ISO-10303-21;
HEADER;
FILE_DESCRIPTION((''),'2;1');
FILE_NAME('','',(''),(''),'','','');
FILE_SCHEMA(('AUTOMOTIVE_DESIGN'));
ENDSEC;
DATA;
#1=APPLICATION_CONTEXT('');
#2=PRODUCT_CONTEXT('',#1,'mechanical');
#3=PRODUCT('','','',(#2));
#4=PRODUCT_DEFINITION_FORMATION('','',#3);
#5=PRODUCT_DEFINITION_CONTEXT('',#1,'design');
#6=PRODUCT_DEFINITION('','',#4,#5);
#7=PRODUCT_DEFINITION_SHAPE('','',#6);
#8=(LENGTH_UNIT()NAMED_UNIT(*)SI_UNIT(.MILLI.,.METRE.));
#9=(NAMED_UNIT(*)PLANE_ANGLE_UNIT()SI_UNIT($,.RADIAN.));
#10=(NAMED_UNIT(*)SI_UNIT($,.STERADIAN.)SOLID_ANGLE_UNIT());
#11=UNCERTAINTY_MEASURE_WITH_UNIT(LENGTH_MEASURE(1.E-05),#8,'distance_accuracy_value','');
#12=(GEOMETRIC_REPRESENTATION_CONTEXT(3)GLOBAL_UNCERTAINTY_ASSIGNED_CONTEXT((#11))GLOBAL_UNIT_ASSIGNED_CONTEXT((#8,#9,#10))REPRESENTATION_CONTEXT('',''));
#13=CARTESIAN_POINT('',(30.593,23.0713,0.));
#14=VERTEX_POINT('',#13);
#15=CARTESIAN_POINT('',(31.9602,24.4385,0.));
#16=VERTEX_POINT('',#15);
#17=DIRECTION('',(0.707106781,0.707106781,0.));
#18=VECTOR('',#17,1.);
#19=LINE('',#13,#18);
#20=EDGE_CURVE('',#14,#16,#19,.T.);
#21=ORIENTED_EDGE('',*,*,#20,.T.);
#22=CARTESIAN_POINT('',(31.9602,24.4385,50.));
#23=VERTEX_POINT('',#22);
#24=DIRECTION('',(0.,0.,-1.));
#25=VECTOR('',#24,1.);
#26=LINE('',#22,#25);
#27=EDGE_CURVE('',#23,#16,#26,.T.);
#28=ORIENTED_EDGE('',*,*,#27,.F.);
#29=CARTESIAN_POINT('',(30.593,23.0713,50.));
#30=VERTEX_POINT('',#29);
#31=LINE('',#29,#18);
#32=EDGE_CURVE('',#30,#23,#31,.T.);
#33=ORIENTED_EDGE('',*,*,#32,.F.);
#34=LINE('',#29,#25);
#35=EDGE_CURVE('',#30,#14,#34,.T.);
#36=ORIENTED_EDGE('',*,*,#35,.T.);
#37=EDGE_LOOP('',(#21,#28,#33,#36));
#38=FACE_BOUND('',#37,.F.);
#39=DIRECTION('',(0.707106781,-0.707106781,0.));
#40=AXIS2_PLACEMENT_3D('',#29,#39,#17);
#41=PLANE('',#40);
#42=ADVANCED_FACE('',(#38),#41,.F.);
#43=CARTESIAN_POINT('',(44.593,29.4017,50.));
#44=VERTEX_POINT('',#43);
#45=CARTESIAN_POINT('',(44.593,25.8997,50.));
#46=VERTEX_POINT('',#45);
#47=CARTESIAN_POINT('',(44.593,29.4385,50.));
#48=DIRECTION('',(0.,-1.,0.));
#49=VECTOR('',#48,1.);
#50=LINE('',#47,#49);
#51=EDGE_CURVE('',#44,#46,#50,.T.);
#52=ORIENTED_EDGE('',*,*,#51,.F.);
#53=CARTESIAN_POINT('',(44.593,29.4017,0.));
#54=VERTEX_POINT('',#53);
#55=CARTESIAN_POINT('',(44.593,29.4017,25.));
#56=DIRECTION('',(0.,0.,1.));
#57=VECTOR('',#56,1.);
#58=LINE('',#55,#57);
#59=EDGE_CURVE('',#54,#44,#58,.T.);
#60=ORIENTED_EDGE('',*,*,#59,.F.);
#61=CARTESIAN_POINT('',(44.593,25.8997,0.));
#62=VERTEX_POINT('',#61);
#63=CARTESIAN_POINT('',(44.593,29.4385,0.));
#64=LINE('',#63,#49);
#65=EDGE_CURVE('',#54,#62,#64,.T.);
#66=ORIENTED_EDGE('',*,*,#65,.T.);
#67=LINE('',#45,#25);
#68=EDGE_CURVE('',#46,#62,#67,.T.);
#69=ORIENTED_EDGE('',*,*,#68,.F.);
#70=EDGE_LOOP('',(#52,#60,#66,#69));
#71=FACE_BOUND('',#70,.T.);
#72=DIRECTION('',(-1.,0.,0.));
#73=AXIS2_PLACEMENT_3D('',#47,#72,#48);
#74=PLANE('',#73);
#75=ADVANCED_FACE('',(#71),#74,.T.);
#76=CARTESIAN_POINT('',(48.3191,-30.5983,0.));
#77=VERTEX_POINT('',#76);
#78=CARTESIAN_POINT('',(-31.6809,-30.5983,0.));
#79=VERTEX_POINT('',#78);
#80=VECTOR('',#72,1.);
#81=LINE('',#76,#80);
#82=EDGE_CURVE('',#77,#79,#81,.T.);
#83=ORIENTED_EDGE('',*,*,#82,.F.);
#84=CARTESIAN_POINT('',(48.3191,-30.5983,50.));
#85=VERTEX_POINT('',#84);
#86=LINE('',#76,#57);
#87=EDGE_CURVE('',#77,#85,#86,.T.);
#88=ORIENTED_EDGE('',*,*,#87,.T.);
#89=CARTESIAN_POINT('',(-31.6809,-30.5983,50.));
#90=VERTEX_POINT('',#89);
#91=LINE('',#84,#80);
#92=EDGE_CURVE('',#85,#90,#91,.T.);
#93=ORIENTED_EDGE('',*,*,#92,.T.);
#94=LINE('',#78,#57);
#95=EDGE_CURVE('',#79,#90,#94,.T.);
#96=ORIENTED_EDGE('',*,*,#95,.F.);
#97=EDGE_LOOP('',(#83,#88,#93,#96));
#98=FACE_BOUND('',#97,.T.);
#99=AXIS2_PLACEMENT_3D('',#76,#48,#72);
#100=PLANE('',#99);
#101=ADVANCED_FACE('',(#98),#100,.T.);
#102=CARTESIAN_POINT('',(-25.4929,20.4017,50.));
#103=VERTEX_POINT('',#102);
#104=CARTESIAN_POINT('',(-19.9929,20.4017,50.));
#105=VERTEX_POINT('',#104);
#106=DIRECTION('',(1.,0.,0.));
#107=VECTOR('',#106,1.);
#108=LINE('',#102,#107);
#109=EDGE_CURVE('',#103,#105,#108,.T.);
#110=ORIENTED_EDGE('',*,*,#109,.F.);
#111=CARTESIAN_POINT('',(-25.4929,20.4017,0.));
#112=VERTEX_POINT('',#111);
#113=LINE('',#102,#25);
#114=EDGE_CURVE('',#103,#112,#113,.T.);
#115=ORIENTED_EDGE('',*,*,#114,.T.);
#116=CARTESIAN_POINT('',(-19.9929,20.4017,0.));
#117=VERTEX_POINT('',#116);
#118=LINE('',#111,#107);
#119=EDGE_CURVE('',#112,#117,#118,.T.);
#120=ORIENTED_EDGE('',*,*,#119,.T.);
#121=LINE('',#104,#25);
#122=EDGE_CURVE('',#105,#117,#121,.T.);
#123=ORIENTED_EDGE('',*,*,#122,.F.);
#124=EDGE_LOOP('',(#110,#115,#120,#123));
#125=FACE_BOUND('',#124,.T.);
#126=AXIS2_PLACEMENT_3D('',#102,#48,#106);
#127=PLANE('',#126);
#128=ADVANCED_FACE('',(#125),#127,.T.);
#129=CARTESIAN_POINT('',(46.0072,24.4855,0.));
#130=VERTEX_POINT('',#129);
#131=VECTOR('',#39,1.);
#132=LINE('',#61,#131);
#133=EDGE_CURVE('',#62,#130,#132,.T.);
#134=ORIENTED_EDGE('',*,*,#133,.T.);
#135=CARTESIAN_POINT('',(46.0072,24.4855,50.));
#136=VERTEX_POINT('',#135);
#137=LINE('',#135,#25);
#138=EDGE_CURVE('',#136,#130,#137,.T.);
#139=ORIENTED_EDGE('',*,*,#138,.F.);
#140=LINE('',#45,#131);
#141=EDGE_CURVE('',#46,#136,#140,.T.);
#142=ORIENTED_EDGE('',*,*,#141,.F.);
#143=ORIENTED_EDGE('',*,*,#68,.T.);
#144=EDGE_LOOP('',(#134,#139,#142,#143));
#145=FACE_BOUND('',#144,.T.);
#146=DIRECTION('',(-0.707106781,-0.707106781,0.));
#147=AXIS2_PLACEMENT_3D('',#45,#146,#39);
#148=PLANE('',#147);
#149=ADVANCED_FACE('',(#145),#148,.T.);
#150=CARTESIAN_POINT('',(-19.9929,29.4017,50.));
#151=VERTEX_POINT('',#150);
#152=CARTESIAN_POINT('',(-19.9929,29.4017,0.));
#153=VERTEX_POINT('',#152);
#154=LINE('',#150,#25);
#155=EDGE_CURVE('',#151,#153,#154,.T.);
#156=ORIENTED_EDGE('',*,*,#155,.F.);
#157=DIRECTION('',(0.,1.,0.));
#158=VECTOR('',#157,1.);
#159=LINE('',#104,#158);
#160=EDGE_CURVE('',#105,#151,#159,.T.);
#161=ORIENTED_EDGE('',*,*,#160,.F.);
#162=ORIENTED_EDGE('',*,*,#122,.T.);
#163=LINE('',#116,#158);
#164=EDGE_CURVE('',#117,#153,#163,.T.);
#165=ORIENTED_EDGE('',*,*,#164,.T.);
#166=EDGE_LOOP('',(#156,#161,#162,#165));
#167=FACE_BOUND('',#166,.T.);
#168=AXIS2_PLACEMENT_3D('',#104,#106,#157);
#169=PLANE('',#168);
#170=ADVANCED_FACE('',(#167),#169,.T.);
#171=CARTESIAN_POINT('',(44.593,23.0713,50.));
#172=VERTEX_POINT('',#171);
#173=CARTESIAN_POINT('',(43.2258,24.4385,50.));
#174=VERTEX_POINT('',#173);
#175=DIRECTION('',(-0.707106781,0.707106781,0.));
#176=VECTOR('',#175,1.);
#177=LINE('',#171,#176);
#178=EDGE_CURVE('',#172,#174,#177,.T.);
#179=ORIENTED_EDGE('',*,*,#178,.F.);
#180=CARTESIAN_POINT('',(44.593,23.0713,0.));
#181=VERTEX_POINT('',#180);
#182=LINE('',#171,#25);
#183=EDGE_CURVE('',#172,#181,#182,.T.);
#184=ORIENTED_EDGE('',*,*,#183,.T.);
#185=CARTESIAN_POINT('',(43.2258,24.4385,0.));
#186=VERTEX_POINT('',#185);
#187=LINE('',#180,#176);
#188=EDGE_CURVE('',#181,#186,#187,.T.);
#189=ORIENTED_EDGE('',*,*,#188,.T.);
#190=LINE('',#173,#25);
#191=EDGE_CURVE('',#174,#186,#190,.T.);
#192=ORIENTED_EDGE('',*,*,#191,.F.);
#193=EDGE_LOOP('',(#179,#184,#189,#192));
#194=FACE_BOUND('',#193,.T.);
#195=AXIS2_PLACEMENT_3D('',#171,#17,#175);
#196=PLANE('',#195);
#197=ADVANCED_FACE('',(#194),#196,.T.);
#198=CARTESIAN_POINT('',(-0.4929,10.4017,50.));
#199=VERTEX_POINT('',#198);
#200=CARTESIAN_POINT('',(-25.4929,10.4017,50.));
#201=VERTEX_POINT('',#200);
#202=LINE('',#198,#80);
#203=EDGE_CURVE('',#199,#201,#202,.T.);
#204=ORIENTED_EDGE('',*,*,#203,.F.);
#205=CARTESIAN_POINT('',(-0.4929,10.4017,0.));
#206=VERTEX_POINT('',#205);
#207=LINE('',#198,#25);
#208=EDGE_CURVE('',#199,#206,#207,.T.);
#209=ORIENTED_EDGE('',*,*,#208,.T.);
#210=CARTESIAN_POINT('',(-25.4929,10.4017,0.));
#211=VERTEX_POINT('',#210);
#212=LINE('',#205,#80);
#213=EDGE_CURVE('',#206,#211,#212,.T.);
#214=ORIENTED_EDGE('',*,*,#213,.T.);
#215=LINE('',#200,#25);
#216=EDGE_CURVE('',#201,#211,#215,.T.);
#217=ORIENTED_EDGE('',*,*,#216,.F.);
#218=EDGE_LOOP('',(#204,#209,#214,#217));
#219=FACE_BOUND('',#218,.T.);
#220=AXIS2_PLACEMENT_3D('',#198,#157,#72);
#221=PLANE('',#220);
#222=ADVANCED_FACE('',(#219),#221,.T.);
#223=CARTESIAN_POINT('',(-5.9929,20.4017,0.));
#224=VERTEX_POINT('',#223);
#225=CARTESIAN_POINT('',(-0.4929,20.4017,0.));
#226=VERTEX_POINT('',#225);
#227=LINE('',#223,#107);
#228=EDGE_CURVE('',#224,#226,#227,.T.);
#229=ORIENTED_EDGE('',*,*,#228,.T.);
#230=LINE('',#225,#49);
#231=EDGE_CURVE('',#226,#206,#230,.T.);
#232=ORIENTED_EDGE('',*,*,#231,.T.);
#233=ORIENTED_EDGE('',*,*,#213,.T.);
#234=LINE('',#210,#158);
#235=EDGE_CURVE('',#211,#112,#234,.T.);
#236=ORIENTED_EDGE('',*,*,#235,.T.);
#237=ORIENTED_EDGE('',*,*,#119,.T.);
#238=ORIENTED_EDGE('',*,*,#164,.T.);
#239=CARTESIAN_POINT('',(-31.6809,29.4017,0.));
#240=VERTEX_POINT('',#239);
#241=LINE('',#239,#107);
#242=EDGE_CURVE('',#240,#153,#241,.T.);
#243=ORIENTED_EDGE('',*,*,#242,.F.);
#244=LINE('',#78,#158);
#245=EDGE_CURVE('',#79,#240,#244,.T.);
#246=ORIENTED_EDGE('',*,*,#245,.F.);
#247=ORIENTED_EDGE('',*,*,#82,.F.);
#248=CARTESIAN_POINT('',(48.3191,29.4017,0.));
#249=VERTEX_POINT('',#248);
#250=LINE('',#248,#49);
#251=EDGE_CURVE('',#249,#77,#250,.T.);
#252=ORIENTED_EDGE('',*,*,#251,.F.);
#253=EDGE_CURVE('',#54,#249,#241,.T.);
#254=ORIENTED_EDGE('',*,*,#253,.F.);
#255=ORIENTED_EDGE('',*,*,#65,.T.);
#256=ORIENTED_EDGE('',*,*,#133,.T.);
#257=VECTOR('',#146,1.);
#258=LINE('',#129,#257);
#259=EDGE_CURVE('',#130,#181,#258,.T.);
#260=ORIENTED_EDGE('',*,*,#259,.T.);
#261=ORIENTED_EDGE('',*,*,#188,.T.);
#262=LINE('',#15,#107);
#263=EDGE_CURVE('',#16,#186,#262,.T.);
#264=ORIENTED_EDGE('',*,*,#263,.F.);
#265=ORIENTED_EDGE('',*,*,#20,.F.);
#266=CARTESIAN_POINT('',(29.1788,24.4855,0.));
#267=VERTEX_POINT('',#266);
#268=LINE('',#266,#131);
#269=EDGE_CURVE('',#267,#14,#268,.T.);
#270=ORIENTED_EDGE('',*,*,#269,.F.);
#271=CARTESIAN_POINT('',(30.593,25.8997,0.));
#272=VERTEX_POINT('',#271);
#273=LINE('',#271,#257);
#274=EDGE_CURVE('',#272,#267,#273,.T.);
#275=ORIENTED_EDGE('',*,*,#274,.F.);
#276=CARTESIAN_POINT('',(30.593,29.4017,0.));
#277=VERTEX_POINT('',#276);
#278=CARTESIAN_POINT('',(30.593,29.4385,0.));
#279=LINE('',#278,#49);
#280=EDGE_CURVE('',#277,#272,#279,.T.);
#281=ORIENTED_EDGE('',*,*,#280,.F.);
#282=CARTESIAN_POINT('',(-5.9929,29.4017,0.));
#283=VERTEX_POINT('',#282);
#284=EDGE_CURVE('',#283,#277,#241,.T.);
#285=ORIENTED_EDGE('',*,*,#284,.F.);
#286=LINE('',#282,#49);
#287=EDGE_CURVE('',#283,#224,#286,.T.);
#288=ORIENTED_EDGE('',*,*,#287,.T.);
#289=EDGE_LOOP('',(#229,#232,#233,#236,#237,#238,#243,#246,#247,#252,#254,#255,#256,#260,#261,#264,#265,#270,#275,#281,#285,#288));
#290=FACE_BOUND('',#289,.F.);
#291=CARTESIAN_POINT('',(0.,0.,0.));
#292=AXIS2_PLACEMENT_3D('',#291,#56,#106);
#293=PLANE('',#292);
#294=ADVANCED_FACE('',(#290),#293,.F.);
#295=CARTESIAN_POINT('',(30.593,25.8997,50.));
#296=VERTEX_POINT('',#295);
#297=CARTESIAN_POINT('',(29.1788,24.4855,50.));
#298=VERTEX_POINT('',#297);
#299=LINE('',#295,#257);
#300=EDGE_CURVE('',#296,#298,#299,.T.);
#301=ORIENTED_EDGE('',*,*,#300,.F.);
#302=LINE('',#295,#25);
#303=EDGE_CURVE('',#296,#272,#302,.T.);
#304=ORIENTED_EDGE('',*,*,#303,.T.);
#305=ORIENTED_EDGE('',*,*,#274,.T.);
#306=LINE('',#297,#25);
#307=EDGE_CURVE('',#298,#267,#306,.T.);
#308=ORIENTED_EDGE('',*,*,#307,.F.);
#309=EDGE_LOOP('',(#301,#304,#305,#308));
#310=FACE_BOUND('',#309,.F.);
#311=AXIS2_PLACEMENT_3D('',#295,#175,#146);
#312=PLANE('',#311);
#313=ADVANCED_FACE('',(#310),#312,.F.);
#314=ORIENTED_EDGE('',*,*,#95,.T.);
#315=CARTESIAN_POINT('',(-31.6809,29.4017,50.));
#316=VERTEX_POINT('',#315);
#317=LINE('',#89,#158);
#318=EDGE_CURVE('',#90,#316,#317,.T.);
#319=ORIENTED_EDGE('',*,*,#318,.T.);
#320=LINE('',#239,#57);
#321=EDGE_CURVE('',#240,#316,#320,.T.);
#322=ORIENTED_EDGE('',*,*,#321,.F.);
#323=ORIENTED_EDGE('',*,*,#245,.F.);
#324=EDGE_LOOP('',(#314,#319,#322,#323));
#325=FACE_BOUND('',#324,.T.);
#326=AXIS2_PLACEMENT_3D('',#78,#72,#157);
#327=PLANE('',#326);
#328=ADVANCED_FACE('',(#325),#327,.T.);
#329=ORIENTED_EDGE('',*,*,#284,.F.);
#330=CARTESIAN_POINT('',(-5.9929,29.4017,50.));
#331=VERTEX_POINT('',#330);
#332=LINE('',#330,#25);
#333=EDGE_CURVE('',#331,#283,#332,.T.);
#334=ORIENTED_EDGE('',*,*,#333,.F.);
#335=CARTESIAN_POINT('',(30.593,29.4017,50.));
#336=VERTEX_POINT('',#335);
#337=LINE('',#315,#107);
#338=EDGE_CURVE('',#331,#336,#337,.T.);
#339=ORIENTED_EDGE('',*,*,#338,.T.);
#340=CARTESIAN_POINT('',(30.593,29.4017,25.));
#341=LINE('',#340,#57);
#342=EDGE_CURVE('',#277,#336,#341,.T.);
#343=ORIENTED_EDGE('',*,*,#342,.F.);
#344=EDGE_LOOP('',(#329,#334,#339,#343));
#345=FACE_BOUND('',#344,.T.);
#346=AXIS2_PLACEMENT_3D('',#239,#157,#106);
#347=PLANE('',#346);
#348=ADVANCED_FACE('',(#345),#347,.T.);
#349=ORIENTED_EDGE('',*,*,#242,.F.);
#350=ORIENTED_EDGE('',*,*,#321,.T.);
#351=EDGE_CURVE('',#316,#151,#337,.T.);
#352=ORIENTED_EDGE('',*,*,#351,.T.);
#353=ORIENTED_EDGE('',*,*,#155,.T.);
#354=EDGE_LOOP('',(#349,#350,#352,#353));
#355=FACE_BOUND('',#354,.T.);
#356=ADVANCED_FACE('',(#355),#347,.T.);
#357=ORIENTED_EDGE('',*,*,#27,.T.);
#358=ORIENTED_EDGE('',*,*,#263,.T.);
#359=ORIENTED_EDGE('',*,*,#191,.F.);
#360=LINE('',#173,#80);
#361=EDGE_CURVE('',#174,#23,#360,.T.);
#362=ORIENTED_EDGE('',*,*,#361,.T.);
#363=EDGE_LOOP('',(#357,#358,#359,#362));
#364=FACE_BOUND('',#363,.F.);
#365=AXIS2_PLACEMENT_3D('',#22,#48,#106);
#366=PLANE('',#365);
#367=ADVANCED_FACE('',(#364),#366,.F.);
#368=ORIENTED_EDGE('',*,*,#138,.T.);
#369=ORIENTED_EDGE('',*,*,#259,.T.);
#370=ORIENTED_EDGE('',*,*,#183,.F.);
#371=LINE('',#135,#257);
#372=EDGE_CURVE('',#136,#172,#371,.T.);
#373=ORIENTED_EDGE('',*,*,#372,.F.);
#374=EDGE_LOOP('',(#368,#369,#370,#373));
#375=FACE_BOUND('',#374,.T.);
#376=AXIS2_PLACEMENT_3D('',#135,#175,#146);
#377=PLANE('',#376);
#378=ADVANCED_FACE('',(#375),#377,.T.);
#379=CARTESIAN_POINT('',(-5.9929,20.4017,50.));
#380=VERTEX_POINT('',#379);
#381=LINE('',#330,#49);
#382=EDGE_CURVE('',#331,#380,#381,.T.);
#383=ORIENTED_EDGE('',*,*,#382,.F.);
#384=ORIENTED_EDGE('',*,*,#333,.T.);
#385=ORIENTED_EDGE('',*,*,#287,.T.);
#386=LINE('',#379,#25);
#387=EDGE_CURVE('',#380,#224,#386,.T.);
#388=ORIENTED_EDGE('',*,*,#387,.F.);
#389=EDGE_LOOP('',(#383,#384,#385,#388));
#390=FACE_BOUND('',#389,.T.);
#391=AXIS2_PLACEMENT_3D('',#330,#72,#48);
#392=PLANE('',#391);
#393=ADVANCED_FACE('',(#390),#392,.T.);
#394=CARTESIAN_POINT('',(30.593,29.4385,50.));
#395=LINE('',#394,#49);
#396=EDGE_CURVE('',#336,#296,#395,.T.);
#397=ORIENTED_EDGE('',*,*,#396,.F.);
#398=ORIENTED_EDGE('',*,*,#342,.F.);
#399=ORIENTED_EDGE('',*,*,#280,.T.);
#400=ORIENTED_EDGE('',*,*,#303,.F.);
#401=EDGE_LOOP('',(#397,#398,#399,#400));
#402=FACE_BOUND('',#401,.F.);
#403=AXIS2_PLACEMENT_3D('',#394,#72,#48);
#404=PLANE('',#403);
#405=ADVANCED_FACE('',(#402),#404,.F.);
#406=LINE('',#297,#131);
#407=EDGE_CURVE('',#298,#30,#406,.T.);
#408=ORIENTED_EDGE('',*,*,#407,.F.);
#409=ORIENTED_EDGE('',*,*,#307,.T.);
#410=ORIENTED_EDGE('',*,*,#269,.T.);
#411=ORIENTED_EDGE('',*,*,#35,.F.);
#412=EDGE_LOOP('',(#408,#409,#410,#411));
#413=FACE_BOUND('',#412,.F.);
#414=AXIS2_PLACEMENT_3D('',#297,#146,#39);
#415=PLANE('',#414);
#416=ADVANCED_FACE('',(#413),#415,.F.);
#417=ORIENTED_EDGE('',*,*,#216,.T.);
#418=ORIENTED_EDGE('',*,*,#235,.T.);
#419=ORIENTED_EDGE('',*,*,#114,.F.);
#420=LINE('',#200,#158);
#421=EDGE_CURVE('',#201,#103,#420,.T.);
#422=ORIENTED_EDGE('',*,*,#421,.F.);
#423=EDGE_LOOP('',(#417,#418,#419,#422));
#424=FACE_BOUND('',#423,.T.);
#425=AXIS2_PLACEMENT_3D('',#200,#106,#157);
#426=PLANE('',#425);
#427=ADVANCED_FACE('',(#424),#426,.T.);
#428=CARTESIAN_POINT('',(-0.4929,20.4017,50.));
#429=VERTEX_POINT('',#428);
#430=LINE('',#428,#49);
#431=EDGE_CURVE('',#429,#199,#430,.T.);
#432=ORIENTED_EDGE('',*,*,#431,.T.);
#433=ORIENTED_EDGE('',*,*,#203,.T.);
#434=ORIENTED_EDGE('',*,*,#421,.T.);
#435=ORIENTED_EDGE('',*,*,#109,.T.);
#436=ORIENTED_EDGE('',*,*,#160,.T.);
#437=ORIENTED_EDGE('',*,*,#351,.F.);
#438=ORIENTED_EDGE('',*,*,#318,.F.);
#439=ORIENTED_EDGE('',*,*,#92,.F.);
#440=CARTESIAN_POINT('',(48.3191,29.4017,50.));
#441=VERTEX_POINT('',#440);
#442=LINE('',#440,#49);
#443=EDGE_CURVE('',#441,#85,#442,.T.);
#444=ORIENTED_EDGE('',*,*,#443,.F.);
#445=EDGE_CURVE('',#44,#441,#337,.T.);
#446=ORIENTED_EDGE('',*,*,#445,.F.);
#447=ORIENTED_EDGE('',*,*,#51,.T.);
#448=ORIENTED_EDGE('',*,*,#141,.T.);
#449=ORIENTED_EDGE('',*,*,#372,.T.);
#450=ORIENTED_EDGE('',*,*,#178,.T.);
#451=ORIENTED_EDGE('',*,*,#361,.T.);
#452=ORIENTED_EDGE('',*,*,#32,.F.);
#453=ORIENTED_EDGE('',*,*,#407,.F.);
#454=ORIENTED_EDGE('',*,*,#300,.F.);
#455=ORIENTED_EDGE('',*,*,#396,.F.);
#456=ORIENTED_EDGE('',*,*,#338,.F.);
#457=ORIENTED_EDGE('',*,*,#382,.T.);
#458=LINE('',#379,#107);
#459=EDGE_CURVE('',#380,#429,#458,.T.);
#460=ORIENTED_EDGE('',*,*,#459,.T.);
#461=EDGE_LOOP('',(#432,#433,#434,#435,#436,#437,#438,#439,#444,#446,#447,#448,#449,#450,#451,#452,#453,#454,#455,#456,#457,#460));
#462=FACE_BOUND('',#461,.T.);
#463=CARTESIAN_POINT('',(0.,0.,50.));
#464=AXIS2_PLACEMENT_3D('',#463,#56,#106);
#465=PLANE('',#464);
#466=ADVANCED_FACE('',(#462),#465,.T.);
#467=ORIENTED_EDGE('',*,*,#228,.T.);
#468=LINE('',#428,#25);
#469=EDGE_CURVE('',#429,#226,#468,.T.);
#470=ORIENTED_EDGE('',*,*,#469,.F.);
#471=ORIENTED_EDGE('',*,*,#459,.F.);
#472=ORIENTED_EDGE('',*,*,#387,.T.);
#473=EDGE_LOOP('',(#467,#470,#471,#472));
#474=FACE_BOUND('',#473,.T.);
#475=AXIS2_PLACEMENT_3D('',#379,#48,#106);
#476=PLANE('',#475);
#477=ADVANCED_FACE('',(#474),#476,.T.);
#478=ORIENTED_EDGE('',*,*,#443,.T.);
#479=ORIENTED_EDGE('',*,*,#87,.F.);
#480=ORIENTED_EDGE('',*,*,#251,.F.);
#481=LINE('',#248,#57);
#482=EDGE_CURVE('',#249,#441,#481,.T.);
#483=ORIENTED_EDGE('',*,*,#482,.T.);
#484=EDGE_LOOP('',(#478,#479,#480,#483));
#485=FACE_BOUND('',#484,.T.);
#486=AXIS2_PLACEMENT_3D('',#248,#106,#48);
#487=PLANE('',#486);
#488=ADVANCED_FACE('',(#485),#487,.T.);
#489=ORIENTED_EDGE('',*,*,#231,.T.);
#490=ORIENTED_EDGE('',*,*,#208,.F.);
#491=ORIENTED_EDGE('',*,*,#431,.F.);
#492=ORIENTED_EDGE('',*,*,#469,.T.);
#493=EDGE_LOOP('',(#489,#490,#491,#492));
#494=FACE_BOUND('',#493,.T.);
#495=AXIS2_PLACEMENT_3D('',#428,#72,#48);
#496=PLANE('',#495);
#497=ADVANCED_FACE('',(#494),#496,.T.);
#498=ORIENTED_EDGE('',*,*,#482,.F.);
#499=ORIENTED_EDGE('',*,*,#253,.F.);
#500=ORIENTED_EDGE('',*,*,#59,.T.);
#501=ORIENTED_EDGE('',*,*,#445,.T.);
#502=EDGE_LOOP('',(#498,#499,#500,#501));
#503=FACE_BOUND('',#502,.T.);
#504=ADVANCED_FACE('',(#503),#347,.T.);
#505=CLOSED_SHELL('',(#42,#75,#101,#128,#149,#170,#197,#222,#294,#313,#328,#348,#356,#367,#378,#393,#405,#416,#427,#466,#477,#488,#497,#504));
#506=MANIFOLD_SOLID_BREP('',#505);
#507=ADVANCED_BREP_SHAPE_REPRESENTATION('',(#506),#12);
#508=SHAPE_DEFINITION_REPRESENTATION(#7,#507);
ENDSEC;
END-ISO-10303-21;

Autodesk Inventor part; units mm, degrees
ref_plane "YZ Plane" through (0, 0, 0) normal (1, 0, 0) x (0, 1, 0)
ref_plane "XZ Plane" through (0, 0, 0) normal (0, 1, 0) x (-1, 0, 0)
ref_plane "XY Plane" through (0, 0, 0) normal (0, 0, 1) x (1, 0, 0)
sketch "Sketch1" plane through (0, 0, 0) normal (0, 0, 1) x (1, 0, 0)
  line L0 (-31.6809, 29.4017) -> (48.3191, 29.4017)
  line L1 (48.3191, 29.4017) -> (48.3191, -30.5983)
  line L2 (48.3191, -30.5983) -> (-31.6809, -30.5983)
  line L3 (-31.6809, -30.5983) -> (-31.6809, 29.4017)
  point P0 (0, 0)
  dimension "d0" = 80
  dimension "d1" = 60
extrude "Extrusion1" add sketch "Sketch1" along normal blind 50
sketch "Sketch2" plane through (0, 0, 50) normal (0, 0, 1) x (1, 0, 0)
  line L0 (-19.9929, 29.4017) -> (-5.9929, 29.4017)
  line L1 (-5.9929, 29.4017) -> (-5.9929, 20.4017)
  line L2 (-5.9929, 20.4017) -> (-0.4929, 20.4017)
  line L3 (-0.4929, 20.4017) -> (-0.4929, 10.4017)
  line L4 (-0.4929, 10.4017) -> (-25.4929, 10.4017)
  line L5 (-25.4929, 10.4017) -> (-25.4929, 20.4017)
  line L6 (-25.4929, 20.4017) -> (-19.9929, 20.4017)
  line L7 (-19.9929, 20.4017) -> (-19.9929, 29.4017)
  line L8 (48.3191, 29.4017) -> (-31.6809, 29.4017) projected
  point P0 (0, 0)
  point P1 (-12.9929, 29.4017)
  dimension "d4" = 25
  dimension "d5" = 12.5
  dimension "d6" = 7
  dimension "d7" = 14
  dimension "d8" = 9
  dimension "d9" = 10
extrude "Extrusion2" cut sketch "Sketch2" against normal blind 50
sketch "Sketch3" plane through (0, 0, 50) normal (0, 0, 1) x (1, 0, 0)
  line L0 (37.593, 29.4385) -> (44.593, 29.4385)
  line L1 (44.593, 29.4385) -> (44.593, 25.8997)
  line L2 (44.593, 25.8997) -> (46.0072, 24.4855)
  line L3 (46.0072, 24.4855) -> (44.593, 23.0713)
  line L4 (44.593, 23.0713) -> (43.2258, 24.4385)
  line L5 (43.2258, 24.4385) -> (37.593, 24.4385)
  line L6 (37.593, 29.4385) -> (37.593, 24.4385) construction
  line L7 (37.593, 29.4385) -> (30.593, 29.4385)
  line L8 (30.593, 29.4385) -> (30.593, 25.8997)
  line L9 (30.593, 25.8997) -> (29.1788, 24.4855)
  line L10 (29.1788, 24.4855) -> (30.593, 23.0713)
  line L11 (30.593, 23.0713) -> (31.9602, 24.4385)
  line L12 (31.9602, 24.4385) -> (37.593, 24.4385)
  point P0 (0, 0)
  point P1 (31.0916, 30.5867)
  dimension "d23" = 7
  dimension "d24" = 2
  dimension "d26" = 2
  dimension "d27" = 135
  dimension "d28" = 5
extrude "Extrusion3" cut sketch "Sketch3" against normal blind 50
properties part number "PiesaSuportCanale"
